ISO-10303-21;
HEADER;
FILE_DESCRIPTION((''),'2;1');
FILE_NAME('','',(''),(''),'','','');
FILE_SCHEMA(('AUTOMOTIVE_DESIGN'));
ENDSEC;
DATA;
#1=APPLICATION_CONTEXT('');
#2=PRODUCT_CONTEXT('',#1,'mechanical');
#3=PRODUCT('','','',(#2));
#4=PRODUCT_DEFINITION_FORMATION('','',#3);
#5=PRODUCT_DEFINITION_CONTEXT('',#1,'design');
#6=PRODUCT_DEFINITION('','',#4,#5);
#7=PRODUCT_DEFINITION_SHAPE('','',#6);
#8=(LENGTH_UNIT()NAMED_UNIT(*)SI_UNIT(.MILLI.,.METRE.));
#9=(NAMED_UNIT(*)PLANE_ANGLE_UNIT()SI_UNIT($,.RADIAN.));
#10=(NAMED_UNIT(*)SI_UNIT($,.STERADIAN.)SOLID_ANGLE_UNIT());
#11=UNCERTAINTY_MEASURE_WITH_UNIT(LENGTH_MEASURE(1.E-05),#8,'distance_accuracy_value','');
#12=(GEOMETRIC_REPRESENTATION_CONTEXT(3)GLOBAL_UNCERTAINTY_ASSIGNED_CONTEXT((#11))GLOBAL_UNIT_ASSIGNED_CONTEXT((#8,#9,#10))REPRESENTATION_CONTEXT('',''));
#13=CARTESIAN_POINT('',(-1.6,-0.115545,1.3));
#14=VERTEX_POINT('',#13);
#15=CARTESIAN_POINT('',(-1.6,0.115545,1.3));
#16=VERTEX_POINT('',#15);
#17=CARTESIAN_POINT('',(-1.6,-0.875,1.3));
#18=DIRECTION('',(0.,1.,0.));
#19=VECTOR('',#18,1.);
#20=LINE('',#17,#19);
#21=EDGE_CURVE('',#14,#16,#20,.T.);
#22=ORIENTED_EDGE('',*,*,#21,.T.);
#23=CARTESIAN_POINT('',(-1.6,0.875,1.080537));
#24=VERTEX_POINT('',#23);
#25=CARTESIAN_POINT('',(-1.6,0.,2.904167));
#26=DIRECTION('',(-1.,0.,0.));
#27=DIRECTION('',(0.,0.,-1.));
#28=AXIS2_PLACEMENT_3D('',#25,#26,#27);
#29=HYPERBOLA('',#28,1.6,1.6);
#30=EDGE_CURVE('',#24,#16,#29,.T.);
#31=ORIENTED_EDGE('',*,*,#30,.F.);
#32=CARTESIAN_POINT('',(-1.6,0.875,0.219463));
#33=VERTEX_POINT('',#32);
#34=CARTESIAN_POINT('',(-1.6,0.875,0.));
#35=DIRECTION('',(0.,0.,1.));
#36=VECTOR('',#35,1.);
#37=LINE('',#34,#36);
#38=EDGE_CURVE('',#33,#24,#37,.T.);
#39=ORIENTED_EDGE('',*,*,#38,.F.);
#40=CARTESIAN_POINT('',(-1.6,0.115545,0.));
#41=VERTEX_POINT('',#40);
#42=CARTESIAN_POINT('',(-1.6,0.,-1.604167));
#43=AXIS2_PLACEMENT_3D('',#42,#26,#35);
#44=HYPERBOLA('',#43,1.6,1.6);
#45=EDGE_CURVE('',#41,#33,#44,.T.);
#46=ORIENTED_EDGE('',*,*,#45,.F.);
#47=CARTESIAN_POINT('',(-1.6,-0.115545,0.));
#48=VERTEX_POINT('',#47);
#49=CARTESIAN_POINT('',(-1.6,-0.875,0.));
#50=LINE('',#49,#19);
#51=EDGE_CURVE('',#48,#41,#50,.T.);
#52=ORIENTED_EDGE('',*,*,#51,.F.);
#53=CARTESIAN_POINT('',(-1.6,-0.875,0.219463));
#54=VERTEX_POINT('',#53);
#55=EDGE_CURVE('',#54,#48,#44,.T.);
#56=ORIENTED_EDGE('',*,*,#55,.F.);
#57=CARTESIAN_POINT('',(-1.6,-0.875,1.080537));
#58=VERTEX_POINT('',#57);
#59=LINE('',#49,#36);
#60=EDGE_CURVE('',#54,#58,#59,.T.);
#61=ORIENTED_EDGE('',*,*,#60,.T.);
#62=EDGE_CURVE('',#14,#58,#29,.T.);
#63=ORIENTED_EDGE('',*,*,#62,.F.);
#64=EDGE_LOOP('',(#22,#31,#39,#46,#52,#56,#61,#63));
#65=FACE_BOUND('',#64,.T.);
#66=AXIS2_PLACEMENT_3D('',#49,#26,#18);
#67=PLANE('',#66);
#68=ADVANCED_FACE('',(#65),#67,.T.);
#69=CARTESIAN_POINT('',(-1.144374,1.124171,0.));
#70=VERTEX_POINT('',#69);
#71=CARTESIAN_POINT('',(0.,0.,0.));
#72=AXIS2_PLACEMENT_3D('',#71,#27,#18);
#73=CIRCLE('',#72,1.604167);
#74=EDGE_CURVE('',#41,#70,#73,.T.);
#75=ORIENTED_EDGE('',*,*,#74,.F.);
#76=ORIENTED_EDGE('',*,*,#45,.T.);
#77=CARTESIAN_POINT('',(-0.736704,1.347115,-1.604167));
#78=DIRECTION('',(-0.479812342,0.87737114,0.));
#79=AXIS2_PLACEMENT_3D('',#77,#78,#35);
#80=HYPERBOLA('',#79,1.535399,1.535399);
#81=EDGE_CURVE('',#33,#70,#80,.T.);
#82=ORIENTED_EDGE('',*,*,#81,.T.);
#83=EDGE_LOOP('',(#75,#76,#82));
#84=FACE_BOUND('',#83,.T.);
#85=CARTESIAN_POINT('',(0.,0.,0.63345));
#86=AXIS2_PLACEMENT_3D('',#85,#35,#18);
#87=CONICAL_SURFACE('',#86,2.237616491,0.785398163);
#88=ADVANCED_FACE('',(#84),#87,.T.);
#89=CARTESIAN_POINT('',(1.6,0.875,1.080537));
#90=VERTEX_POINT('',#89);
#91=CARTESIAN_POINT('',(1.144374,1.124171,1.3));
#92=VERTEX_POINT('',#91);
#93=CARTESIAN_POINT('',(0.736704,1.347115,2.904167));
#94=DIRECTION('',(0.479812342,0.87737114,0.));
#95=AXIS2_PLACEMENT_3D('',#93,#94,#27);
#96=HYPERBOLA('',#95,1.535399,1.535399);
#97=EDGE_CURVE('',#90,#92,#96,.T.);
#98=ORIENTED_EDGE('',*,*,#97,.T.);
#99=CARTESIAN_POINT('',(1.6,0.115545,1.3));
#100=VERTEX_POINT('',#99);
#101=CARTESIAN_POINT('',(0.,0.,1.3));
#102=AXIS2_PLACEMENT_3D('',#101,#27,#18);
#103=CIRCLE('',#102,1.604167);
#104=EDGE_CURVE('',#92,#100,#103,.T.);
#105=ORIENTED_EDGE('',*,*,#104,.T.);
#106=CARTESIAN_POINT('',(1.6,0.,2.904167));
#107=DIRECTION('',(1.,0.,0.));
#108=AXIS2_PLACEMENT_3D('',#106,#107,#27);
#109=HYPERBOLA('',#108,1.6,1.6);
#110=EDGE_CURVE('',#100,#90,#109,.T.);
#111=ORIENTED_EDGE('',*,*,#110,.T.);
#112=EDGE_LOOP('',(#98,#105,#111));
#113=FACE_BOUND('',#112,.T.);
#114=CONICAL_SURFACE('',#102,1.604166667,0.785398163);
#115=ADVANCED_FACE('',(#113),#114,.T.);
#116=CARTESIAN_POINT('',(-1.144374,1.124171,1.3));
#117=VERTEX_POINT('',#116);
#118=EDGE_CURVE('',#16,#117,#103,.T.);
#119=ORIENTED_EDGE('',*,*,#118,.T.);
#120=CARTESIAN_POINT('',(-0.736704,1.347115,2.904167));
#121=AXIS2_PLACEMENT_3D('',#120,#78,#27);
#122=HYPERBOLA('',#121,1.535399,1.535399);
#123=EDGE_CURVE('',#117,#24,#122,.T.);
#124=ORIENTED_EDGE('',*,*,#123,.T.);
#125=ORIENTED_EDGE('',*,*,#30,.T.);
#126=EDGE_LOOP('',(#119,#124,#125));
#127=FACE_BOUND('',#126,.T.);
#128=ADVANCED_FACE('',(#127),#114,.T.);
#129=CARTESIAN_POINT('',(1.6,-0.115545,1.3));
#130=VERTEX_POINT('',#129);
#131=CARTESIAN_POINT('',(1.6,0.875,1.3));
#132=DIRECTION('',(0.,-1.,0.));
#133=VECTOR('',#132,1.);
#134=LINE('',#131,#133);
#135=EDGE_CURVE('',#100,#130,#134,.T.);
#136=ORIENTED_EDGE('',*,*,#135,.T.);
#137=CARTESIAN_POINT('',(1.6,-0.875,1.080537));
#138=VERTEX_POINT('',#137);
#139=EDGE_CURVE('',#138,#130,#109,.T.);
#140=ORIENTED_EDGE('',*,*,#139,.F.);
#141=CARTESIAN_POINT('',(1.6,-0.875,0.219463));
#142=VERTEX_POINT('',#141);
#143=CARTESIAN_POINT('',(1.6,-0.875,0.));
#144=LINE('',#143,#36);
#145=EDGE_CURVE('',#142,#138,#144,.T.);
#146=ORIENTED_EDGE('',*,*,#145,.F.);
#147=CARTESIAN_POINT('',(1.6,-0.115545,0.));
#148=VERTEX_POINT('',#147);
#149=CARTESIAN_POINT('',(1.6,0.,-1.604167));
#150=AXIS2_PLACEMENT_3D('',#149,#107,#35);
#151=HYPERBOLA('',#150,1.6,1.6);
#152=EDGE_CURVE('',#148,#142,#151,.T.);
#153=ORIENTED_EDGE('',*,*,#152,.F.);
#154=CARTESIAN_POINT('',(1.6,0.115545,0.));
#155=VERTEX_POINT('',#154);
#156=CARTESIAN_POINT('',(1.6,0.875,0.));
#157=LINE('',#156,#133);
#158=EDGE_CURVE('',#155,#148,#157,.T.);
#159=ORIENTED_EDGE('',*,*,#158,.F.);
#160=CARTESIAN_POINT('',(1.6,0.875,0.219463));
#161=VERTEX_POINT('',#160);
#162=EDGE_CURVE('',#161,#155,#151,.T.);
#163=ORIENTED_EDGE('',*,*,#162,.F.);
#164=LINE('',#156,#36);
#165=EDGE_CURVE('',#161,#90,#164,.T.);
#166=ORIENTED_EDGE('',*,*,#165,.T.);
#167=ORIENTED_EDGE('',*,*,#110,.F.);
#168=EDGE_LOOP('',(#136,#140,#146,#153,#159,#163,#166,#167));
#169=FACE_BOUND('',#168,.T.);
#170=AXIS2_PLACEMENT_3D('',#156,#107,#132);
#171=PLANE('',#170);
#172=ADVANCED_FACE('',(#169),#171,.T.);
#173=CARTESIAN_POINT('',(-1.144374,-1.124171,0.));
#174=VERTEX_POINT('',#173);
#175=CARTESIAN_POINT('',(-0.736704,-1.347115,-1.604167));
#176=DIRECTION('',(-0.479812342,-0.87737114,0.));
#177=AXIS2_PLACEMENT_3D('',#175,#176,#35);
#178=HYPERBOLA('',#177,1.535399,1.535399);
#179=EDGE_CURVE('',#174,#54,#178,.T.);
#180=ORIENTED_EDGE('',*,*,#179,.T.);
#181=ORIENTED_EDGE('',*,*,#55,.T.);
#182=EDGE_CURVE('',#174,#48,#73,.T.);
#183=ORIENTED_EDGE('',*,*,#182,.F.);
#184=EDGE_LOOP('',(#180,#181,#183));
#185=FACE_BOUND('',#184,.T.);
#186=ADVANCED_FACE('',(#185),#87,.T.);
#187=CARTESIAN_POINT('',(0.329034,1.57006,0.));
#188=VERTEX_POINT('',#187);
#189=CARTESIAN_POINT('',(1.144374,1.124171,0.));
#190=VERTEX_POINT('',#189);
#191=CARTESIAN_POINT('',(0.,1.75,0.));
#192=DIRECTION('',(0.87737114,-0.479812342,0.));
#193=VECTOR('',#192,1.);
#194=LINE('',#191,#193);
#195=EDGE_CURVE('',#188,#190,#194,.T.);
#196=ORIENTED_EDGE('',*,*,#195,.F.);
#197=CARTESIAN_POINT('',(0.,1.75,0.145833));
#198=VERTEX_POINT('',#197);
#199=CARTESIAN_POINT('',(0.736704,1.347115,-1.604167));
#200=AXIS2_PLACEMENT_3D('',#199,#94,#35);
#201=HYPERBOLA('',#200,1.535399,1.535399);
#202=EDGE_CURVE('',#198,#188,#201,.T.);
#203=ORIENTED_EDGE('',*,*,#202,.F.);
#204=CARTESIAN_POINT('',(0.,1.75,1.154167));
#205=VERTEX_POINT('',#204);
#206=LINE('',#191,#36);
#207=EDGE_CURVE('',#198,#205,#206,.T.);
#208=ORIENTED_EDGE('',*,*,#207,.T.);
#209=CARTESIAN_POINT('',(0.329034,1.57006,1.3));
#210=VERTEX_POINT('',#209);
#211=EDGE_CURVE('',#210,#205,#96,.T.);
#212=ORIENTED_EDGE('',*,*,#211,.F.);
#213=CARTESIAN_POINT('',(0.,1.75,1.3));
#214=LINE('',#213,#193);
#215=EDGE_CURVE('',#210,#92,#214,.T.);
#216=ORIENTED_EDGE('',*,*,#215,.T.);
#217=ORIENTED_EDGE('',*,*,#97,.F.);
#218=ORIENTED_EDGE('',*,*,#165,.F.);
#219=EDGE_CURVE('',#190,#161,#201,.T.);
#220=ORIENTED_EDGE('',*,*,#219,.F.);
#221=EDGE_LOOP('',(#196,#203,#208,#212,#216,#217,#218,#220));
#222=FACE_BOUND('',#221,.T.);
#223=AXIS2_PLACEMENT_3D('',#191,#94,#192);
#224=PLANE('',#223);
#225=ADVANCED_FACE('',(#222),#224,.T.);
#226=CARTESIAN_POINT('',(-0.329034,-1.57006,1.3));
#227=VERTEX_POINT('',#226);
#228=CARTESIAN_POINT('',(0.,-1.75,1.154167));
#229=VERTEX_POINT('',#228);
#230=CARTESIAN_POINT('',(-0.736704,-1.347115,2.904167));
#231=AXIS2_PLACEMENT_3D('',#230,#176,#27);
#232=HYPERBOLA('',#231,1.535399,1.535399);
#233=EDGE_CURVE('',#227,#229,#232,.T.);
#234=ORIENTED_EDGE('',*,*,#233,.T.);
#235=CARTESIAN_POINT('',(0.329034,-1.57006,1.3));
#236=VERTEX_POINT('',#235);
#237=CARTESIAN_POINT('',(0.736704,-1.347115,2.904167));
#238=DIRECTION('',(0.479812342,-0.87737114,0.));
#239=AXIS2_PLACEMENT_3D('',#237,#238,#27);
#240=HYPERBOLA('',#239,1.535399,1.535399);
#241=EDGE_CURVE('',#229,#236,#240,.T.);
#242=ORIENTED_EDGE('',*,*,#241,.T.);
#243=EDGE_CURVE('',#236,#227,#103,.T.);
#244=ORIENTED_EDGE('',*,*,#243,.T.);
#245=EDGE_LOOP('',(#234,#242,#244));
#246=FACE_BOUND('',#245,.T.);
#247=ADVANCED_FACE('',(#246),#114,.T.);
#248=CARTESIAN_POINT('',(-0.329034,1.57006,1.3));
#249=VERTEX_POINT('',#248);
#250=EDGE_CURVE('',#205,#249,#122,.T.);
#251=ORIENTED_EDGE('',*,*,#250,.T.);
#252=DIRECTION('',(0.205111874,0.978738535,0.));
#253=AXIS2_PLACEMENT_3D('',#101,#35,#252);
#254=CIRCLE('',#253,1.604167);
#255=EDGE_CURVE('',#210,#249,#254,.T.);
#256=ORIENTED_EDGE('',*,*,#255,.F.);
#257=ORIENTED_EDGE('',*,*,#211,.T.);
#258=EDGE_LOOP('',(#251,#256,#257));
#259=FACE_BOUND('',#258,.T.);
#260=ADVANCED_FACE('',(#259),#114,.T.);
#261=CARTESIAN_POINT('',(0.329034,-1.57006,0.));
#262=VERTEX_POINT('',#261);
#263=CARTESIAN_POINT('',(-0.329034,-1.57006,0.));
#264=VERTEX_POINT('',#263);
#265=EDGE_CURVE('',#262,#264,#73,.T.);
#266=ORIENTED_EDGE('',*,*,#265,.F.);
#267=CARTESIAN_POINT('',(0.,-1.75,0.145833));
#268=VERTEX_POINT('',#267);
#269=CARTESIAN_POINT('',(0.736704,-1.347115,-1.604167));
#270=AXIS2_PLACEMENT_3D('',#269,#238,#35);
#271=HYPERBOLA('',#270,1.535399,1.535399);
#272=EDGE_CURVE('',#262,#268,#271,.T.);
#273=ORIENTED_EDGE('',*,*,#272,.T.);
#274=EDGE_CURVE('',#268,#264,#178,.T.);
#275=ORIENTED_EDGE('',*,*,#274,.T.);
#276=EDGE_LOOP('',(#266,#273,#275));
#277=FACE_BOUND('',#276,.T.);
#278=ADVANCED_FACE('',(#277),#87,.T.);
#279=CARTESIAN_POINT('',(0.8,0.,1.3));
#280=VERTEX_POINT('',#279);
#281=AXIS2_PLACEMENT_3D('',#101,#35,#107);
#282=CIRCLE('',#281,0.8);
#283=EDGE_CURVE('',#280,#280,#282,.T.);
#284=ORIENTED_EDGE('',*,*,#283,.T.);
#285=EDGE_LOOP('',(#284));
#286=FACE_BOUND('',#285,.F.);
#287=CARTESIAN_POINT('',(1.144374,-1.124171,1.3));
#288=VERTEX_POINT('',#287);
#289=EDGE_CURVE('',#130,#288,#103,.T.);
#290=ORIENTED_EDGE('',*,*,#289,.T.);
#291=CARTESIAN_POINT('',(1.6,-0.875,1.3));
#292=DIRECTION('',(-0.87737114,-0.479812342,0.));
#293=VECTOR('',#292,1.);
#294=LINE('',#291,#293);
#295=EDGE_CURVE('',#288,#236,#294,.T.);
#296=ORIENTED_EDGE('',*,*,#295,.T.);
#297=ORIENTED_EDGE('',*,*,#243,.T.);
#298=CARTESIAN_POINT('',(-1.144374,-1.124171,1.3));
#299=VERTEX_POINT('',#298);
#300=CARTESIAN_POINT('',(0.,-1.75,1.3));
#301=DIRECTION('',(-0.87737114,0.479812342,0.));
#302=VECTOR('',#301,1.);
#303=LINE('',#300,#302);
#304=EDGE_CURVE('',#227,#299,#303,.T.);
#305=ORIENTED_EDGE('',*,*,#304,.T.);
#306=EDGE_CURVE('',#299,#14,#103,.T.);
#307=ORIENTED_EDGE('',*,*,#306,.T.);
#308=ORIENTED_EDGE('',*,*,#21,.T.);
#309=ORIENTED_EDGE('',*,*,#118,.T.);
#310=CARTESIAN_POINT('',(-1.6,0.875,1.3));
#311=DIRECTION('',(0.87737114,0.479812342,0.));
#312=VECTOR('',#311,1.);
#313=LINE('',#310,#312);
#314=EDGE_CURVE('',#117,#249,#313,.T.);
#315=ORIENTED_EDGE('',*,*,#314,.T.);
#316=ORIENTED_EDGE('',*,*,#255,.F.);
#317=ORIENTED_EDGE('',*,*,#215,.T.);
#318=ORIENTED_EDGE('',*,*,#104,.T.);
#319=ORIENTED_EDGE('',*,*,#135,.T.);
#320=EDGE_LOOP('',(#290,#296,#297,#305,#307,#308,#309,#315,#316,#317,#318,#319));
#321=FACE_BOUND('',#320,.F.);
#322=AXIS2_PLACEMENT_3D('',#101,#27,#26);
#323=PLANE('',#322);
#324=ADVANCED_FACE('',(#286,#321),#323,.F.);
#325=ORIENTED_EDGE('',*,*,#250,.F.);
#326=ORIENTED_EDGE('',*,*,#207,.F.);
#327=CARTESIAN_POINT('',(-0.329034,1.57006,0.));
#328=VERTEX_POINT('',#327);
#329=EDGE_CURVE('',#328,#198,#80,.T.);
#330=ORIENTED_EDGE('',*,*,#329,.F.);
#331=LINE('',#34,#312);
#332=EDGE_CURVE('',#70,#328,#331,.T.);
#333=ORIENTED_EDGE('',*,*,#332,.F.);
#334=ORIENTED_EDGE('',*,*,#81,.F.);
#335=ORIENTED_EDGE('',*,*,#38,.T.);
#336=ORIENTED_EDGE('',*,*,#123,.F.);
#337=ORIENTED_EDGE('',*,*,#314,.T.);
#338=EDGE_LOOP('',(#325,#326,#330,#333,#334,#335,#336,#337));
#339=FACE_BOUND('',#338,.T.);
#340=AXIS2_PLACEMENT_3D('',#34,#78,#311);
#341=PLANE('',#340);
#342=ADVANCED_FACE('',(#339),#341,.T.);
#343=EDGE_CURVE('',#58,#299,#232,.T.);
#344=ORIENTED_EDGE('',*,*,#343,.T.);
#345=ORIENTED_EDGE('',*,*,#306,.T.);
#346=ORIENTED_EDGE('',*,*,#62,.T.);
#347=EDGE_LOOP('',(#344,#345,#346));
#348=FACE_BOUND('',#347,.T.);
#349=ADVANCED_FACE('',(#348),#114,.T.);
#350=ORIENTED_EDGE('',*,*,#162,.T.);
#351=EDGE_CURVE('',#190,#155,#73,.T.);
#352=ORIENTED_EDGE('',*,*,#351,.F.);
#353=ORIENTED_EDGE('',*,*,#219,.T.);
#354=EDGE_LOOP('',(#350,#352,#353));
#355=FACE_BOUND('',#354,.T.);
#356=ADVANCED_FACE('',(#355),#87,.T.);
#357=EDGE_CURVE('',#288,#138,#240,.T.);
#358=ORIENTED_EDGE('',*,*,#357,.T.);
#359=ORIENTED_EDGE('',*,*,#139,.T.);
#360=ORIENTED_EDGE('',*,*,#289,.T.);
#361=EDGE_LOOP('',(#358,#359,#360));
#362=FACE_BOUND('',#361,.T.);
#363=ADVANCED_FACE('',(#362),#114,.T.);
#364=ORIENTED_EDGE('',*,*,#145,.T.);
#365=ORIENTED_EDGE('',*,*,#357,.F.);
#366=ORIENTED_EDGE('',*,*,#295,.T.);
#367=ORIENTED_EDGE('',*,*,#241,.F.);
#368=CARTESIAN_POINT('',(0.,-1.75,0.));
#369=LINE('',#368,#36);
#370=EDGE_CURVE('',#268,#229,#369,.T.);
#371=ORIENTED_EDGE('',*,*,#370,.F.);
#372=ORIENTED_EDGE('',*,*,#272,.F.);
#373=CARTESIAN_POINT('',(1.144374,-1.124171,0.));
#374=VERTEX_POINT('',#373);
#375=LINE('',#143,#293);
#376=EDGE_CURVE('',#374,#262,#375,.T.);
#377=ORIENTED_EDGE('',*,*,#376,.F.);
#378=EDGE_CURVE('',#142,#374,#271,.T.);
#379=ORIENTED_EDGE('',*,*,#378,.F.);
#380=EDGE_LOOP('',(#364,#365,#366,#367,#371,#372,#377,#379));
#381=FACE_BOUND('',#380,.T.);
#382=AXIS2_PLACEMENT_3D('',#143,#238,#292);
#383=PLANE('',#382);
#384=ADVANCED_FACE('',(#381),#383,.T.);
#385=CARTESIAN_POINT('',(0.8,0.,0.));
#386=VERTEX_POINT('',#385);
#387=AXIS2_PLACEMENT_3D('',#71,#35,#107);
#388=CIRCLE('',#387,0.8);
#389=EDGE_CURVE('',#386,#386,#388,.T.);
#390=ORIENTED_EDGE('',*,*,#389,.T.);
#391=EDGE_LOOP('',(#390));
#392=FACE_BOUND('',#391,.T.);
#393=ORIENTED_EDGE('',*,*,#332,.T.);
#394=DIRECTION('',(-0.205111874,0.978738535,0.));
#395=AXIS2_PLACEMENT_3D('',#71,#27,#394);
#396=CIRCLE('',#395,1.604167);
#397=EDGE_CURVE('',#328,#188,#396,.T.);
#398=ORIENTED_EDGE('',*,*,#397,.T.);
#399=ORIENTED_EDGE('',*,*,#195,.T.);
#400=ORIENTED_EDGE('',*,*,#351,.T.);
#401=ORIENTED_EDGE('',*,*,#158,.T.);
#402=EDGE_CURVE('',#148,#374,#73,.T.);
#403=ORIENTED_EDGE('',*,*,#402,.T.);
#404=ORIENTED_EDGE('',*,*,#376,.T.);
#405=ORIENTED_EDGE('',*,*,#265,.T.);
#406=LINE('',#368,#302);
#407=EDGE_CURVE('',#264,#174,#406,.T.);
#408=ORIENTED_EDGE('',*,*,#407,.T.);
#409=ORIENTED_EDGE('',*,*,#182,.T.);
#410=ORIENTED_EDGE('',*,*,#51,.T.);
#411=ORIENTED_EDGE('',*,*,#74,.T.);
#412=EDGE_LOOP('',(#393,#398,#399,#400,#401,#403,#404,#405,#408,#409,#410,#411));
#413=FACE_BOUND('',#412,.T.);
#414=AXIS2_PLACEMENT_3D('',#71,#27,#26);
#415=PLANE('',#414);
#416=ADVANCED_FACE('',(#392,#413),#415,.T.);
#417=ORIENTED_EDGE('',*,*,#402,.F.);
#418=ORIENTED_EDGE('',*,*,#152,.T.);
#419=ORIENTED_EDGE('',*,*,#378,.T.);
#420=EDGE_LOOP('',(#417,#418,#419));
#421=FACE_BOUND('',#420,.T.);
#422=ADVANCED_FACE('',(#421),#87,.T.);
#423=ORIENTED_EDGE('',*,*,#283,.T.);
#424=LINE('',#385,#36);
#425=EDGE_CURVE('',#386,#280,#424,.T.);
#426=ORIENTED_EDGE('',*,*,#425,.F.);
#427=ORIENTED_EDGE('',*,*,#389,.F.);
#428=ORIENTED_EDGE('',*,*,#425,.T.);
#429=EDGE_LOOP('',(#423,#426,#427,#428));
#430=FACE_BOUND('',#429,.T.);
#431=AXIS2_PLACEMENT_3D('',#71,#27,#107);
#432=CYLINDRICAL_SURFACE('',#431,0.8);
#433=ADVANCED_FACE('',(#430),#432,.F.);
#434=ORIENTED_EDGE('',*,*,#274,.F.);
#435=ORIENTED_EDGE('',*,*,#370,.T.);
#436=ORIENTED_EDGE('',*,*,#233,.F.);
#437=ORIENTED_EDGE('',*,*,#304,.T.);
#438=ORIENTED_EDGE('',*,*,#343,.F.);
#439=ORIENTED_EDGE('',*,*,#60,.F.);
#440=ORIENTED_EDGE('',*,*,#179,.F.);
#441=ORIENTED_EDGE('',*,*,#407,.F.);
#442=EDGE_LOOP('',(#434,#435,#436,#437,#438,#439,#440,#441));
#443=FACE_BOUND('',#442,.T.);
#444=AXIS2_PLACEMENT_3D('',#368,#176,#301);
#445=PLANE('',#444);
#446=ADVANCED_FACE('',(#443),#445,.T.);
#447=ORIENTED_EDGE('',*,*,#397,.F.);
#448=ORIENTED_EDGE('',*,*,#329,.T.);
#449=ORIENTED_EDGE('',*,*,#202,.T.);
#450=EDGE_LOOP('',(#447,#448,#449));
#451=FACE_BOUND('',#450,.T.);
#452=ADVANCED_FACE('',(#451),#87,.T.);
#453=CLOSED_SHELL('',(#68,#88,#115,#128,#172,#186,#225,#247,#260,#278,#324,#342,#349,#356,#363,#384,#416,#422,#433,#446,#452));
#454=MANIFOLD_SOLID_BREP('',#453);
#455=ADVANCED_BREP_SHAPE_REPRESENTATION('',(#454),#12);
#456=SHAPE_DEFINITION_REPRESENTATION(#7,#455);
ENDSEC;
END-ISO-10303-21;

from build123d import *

# Parameters (mm, degrees)
SKETCH1_R = 0.8
NUT_DEPTH = 1.3


with BuildPart() as part:
    # Sketch1 → NUT (new body)
    with BuildSketch(Plane.XY):
        Polygon((-1.6, -0.875), (-1.6, 0.875), (0, 1.75), (1.6, 0.875), (1.6, -0.875), (0, -1.75), align=None)
        Circle(SKETCH1_R, mode=Mode.SUBTRACT)
    extrude(amount=NUT_DEPTH)

    # Sketch2 → Cut-Revolve1 (revolve, cut)
    with BuildSketch(Plane(origin=(0, 0, 0), x_dir=(0, 0, -1), z_dir=(1, 0, 0))):
        Polygon((-1.3, 1.604166667), (-0.666550175, 2.237616491), (-1.3, 2.237616491), (-1.3, 1.75), align=None)
        Polygon((0, 2.237616491), (-0.633449825, 2.237616491), (0, 1.604166667), (0, 1.75), align=None)
    revolve(axis=Axis((0, 0, 1.3), (0, 0, -1)), mode=Mode.SUBTRACT)


solid = part.part
